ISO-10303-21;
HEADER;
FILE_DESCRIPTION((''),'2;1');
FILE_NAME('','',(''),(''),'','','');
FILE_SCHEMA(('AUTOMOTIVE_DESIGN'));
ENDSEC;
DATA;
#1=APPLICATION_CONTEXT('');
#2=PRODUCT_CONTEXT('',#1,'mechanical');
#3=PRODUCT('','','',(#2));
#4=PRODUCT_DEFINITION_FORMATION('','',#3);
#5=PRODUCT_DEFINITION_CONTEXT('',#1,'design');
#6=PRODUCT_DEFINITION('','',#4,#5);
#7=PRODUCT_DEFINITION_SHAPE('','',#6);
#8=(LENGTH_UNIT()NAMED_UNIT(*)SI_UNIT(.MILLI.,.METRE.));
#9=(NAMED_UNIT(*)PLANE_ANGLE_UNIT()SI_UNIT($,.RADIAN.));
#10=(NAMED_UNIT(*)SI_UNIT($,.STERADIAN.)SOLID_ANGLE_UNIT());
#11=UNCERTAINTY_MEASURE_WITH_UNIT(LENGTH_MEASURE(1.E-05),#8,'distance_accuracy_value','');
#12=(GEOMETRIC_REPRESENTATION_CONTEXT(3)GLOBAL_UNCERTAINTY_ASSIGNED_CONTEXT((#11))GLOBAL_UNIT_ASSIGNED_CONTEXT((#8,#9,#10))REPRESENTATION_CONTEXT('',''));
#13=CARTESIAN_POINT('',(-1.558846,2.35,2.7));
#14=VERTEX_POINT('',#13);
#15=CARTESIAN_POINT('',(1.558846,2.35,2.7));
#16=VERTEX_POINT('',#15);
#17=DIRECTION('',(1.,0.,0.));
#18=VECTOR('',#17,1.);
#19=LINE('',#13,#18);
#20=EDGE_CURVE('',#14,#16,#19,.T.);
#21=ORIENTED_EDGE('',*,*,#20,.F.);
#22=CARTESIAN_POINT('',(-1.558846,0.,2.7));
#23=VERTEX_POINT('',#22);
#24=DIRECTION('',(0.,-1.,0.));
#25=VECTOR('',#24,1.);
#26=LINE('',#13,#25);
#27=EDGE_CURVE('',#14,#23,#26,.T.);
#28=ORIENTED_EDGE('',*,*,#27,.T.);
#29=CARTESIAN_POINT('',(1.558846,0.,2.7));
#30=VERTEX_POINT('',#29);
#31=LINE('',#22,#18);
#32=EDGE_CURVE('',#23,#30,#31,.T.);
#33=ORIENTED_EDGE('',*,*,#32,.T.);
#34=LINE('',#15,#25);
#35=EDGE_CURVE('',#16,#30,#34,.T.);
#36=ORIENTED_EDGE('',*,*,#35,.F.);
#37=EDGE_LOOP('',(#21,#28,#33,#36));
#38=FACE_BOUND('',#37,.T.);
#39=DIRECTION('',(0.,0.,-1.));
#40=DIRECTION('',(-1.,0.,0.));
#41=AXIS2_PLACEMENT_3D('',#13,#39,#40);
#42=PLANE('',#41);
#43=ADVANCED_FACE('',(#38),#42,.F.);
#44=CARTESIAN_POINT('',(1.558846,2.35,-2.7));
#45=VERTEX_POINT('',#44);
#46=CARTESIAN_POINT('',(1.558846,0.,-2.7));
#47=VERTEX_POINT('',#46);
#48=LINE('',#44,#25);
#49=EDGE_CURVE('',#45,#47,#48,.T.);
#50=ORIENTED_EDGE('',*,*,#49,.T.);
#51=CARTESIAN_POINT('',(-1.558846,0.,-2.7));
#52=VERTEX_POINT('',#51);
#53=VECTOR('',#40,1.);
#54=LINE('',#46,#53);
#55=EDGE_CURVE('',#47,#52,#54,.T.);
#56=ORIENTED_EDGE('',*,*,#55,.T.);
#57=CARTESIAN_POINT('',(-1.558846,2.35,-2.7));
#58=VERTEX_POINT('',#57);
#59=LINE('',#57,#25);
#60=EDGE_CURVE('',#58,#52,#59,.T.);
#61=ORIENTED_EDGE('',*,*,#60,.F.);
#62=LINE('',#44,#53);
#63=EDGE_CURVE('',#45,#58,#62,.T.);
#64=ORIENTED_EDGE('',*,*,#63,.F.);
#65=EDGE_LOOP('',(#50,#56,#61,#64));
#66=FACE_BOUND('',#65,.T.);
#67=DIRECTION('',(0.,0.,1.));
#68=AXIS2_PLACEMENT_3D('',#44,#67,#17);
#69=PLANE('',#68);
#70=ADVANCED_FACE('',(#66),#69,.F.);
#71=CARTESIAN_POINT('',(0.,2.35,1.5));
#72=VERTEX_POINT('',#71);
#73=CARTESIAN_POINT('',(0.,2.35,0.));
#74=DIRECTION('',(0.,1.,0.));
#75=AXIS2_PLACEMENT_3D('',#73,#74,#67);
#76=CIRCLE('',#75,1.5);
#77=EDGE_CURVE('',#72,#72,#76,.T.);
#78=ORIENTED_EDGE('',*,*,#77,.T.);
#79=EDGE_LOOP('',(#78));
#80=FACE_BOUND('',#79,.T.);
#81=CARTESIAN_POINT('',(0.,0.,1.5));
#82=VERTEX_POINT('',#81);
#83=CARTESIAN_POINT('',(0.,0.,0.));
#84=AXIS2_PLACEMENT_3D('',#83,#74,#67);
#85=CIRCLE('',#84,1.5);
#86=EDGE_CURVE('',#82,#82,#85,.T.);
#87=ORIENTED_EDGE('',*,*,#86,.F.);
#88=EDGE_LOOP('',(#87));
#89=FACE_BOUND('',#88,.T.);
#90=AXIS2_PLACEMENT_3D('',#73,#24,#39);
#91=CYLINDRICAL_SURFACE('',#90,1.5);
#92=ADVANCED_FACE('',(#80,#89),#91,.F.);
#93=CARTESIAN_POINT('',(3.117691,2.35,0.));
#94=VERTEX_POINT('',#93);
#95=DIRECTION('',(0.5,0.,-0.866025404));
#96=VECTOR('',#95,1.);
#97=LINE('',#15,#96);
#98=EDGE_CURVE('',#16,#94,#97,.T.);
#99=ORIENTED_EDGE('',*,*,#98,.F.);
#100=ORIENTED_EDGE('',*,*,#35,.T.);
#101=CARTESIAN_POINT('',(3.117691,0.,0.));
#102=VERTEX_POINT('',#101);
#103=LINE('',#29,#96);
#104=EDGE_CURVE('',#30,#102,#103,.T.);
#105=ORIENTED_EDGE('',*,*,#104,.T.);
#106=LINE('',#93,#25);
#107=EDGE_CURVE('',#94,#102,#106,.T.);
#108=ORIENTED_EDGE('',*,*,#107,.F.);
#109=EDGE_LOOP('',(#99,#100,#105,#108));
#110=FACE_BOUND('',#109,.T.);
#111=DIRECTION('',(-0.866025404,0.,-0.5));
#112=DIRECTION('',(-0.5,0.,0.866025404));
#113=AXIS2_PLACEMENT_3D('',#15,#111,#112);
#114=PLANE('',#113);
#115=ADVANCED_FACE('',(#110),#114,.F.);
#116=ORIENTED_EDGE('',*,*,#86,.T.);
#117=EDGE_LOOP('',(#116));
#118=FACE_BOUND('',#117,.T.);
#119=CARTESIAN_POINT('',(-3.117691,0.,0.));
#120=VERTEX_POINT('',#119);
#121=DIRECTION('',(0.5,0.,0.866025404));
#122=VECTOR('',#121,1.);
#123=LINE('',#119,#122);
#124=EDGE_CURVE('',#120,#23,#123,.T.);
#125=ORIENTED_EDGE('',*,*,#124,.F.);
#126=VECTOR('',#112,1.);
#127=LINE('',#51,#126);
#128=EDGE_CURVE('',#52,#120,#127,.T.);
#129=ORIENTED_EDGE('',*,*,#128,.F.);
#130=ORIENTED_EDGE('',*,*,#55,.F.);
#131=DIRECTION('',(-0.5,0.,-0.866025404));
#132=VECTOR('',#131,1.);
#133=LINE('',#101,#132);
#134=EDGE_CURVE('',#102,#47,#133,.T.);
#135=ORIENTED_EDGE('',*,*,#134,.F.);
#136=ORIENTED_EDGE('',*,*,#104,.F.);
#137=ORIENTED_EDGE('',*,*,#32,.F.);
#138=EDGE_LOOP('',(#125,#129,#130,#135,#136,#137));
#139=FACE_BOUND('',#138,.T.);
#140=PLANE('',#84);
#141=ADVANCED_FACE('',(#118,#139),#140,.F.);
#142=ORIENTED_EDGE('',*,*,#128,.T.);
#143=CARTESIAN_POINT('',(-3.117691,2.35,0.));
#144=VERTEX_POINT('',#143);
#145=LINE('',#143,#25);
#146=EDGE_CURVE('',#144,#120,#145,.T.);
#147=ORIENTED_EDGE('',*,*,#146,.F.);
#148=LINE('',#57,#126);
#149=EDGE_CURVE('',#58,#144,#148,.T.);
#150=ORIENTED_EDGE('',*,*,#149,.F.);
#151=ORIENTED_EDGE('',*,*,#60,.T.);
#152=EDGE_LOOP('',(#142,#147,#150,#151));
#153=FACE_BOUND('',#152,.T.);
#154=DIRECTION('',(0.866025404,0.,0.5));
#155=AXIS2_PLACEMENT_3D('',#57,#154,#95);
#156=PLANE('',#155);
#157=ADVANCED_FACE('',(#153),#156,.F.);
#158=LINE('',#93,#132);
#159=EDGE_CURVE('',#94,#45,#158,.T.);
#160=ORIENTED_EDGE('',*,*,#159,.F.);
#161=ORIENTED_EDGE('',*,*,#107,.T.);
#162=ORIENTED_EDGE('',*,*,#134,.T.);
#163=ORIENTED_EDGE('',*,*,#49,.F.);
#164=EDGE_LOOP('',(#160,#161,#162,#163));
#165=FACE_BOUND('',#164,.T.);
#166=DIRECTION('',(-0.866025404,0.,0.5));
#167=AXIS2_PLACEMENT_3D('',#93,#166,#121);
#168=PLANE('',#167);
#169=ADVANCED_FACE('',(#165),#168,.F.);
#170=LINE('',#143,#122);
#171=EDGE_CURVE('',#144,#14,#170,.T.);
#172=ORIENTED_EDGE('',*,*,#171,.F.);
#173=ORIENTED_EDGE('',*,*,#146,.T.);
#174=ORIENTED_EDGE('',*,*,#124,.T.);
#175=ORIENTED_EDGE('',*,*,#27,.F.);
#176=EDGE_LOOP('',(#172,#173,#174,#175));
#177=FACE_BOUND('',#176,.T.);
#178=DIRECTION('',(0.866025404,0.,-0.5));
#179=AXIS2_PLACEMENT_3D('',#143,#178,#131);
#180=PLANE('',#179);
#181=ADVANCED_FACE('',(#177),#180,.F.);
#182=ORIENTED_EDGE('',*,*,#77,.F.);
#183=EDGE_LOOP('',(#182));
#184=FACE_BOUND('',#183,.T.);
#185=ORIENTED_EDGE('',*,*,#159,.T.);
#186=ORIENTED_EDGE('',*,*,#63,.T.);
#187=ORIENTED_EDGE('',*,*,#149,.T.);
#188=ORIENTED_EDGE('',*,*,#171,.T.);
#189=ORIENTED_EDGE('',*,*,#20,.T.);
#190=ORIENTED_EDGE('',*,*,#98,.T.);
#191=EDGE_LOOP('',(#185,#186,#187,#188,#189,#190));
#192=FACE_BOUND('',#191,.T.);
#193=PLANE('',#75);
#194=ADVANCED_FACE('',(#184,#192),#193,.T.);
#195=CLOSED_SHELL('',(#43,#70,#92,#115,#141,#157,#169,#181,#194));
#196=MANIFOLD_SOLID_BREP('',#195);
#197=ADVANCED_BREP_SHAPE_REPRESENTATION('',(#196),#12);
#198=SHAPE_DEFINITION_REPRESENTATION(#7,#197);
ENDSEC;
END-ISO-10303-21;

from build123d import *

# Parameters (mm, degrees)
SKETCH1_R           = 1.5
BOSS_EXTRUDE1_DEPTH = 2.35


with BuildPart() as part:
    # Sketch1 → Boss-Extrude1 (new body)
    with BuildSketch(Plane(origin=(0, 0, 0), x_dir=(1, 0, 0), z_dir=(0, 1, 0))):
        Polygon((1.558845727, -2.7), (3.117691454, 0), (1.558845727, 2.7), (-1.558845727, 2.7), (-3.117691454, 0), (-1.558845727, -2.7), align=None)
        with Locations(Location((0, 0, 0), (0, 0, 270))):
            Circle(SKETCH1_R, mode=Mode.SUBTRACT)
    extrude(amount=BOSS_EXTRUDE1_DEPTH)


solid = part.part
